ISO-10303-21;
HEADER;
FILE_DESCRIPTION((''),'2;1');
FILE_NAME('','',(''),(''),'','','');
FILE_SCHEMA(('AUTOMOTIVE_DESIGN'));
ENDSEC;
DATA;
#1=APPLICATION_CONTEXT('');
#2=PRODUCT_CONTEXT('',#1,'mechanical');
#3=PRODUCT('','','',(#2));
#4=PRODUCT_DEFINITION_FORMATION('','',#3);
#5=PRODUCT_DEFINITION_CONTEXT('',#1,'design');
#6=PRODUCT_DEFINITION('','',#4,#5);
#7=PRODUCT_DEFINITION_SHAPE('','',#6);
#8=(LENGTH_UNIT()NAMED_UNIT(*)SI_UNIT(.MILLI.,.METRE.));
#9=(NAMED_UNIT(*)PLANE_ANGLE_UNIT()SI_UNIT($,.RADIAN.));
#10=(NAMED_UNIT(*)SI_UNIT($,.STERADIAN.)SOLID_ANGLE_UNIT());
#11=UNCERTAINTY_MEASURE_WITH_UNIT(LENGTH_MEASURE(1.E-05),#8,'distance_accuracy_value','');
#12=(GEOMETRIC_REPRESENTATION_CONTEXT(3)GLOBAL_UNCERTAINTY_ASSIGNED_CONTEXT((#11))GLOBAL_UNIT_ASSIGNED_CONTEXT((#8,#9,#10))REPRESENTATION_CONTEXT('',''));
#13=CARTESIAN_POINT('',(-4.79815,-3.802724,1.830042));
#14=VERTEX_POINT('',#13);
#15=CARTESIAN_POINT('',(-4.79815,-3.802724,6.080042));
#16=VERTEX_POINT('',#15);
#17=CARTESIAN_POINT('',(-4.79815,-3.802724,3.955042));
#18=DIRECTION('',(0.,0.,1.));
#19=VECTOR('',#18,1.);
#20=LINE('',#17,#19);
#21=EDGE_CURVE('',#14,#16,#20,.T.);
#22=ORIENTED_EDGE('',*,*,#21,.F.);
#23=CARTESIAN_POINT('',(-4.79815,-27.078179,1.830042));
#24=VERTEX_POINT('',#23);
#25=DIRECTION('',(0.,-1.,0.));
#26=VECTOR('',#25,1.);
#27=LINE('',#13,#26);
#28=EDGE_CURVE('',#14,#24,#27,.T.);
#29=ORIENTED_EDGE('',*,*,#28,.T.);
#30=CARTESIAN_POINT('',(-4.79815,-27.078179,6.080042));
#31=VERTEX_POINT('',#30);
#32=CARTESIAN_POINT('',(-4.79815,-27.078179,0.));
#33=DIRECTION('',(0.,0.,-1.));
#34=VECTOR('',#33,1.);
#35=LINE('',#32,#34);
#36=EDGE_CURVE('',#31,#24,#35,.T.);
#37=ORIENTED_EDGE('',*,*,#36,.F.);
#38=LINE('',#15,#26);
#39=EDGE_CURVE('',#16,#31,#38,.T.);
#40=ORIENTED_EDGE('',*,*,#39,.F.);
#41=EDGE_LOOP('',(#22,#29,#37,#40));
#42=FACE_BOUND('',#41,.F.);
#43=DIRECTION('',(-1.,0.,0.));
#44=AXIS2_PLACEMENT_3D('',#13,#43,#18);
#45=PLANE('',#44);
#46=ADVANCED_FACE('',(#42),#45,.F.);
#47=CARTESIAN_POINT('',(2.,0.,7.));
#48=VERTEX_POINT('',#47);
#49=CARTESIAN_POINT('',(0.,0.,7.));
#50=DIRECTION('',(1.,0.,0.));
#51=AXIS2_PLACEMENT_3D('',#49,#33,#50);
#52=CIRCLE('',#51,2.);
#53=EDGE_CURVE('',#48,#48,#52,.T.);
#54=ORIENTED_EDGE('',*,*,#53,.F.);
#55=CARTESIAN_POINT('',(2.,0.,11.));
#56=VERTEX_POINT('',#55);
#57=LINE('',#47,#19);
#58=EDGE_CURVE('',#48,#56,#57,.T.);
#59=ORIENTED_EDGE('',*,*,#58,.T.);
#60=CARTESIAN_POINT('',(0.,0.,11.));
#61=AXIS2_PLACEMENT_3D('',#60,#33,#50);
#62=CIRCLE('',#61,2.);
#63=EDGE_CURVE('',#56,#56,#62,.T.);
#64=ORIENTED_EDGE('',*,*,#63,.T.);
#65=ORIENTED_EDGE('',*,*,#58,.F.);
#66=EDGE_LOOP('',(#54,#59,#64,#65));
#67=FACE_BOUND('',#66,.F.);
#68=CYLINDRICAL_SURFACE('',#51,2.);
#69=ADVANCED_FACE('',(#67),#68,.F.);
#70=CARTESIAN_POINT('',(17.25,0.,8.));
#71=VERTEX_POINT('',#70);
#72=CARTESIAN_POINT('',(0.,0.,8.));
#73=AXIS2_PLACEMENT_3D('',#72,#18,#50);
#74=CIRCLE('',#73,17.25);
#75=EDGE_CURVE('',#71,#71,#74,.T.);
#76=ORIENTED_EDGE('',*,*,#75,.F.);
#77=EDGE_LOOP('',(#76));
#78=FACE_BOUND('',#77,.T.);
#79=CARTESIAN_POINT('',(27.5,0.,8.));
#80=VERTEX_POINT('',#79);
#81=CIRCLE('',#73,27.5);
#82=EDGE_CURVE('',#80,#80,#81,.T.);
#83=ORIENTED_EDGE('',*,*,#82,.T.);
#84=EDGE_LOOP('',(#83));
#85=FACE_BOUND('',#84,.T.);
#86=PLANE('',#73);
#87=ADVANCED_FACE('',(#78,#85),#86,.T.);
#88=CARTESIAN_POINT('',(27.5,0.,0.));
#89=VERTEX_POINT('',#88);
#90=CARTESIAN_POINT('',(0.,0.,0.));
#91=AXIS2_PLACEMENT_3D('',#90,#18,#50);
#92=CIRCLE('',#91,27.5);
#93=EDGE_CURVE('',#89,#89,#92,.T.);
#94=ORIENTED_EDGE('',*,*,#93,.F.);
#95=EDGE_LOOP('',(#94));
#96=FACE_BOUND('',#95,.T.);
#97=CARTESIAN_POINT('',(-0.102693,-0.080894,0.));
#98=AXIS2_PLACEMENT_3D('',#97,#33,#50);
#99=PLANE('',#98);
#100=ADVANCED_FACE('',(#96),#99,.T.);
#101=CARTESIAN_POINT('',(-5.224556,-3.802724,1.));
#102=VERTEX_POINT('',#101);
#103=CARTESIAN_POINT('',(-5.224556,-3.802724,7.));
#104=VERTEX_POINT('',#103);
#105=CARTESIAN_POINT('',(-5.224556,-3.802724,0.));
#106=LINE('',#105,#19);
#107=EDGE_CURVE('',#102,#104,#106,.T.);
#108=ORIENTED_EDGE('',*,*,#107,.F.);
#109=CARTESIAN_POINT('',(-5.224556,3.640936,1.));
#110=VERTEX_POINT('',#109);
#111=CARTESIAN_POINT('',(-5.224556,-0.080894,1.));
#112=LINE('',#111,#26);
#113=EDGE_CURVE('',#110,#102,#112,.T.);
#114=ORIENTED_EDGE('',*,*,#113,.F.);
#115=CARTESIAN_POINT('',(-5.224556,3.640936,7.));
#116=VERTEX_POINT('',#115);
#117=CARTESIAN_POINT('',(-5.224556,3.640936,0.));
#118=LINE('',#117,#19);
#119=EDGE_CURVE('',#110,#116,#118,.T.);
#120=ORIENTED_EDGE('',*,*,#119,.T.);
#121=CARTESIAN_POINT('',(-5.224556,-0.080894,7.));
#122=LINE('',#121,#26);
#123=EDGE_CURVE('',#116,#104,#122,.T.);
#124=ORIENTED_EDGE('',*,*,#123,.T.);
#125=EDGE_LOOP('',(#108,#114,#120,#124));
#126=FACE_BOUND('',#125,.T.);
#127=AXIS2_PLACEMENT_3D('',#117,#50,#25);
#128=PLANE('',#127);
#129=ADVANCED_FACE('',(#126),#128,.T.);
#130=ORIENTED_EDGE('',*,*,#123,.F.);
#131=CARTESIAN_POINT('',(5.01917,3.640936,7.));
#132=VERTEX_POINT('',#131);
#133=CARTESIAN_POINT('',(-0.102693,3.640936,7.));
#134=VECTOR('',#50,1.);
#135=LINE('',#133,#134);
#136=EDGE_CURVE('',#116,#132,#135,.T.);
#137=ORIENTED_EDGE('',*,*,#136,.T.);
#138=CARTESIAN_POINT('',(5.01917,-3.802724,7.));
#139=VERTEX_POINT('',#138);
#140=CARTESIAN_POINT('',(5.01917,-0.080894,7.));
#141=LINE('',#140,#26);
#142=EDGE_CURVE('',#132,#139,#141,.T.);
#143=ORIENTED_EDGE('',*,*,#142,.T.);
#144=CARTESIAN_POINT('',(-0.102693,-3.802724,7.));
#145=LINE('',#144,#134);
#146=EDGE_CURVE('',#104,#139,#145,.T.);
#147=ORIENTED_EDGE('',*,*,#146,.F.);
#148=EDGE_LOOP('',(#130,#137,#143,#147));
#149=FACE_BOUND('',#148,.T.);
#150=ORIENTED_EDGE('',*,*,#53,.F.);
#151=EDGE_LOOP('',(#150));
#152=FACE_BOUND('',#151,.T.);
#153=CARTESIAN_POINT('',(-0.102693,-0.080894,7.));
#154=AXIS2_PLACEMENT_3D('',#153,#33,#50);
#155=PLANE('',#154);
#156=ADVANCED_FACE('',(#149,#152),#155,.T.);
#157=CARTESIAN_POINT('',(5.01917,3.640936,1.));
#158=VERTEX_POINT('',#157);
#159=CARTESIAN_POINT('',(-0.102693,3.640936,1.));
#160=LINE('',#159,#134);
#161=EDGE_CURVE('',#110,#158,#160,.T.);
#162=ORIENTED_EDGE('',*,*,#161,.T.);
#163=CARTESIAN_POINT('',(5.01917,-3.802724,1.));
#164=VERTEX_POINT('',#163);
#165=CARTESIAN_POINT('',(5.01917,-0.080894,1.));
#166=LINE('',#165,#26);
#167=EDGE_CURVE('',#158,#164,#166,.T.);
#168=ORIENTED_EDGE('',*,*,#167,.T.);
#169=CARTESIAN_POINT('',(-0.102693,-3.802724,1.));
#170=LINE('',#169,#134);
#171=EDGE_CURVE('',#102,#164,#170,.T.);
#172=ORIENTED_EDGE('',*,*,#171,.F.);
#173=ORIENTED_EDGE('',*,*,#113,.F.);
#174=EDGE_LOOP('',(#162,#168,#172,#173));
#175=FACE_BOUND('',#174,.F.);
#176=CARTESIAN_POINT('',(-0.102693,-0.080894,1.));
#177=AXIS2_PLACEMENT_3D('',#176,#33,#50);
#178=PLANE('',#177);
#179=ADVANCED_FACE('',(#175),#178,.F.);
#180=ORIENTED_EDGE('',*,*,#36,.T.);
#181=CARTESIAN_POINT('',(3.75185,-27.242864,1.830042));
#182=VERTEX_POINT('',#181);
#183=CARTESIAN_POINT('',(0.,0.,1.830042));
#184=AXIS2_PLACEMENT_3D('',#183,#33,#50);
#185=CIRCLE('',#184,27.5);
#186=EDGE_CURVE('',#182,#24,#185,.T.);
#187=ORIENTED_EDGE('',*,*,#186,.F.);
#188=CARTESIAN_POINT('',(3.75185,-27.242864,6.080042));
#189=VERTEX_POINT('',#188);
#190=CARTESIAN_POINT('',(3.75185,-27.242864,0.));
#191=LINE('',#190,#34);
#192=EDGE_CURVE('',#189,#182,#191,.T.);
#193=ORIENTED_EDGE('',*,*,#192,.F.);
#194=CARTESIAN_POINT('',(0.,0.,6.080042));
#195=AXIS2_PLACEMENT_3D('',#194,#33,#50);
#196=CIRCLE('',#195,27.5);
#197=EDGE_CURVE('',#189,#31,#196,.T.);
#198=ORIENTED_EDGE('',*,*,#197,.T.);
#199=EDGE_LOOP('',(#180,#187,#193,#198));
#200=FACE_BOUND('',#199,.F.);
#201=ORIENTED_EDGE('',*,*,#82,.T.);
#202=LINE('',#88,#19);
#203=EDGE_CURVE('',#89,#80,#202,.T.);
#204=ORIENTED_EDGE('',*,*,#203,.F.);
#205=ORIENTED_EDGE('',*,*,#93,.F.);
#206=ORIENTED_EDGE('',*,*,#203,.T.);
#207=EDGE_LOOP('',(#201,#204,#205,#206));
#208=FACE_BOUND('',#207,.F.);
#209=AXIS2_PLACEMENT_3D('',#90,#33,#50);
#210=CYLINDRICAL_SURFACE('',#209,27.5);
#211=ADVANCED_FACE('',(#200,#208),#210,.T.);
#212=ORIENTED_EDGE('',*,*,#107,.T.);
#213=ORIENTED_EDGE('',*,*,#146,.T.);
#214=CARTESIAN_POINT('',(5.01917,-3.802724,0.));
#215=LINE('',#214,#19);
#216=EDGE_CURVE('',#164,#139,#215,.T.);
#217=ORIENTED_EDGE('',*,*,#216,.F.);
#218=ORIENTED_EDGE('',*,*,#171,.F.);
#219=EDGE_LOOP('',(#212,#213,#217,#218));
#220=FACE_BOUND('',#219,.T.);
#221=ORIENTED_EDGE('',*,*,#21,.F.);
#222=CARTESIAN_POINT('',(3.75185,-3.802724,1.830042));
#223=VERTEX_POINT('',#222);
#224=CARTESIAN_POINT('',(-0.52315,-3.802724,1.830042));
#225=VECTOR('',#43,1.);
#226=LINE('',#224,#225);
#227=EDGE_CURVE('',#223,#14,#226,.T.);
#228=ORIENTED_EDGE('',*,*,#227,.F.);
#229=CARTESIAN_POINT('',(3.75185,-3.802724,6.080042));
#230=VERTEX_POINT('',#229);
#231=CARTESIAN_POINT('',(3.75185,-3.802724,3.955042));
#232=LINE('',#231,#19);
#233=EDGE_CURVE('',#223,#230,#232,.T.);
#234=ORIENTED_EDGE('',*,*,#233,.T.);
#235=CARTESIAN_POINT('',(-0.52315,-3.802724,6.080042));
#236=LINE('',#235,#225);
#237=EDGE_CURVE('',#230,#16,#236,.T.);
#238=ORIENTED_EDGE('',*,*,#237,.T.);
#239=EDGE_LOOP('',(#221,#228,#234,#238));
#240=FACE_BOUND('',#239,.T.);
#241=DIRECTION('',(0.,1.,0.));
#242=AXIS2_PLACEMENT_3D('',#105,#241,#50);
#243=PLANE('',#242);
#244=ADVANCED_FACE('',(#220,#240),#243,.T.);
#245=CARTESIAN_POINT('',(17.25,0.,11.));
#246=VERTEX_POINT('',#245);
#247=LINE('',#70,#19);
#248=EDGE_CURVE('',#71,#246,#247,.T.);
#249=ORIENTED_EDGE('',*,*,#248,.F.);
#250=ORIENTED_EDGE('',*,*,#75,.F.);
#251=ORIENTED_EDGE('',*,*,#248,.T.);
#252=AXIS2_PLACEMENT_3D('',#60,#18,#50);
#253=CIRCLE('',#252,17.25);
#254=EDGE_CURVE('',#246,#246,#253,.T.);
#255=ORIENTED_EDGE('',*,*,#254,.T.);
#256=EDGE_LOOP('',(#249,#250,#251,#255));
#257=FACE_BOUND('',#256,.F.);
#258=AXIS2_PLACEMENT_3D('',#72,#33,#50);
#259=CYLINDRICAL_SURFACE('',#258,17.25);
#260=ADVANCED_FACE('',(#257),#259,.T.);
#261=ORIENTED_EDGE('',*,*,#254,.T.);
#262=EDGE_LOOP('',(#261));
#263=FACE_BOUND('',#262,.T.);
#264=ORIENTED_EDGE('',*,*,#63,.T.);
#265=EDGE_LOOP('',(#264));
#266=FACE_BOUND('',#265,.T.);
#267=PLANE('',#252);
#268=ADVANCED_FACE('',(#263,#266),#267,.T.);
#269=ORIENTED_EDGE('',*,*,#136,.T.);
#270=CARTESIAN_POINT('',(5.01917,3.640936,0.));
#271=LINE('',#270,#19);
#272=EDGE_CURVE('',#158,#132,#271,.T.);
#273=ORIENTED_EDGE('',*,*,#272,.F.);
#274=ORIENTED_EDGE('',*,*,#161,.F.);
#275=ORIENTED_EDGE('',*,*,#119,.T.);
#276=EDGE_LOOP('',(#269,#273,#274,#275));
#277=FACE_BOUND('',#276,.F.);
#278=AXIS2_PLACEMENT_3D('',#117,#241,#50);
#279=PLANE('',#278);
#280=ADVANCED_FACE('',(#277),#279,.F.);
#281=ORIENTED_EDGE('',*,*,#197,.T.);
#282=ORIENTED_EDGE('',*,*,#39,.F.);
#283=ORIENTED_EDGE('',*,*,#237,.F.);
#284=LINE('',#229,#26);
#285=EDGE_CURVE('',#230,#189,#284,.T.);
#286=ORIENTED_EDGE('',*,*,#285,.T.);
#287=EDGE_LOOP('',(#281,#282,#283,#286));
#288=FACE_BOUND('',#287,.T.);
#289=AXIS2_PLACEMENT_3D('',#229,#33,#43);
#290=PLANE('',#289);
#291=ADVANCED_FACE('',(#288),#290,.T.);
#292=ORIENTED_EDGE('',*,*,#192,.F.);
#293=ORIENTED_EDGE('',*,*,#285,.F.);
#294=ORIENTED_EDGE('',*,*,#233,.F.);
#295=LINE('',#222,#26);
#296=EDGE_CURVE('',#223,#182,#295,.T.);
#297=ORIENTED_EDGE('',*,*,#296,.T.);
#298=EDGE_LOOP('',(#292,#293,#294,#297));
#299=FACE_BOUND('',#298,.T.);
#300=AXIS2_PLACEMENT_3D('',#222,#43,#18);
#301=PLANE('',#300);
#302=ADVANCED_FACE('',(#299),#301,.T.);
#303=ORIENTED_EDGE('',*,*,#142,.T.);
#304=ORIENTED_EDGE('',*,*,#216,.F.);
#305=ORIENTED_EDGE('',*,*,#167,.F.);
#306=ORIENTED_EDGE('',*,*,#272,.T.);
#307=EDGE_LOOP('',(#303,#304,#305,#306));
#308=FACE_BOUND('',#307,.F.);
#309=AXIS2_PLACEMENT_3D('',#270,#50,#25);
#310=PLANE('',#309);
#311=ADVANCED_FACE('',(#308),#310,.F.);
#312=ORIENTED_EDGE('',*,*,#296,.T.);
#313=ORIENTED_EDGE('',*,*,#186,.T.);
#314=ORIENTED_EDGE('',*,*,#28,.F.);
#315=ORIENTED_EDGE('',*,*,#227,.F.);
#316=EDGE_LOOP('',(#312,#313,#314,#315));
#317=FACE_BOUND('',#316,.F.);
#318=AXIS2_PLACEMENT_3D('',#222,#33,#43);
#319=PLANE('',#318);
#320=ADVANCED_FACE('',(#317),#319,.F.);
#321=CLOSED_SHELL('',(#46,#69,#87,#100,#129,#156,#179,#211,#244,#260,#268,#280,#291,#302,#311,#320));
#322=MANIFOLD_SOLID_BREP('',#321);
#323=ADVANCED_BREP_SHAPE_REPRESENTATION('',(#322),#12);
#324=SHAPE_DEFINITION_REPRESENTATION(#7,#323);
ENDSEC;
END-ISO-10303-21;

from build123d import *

# Parameters (mm, degrees)
F0_R      = 27.5
F1_DEPTH  = 8
F2_R      = 17.25
F3_DEPTH  = 3
F4_W      = 10.243726
F4_H      = 7.44366
F5_DEPTH  = 7
F6_W      = 8.55
F6_H      = 4.25
F7_DEPTH  = 25
F8_R      = 2
F9_DEPTH  = 25
F10_W     = 10.243726
F10_H     = 7.44366
F11_DEPTH = 1


with BuildPart() as f1:
    # F0 (on Top) → F1 (new body)
    with BuildSketch(Plane.XY):
        Circle(F0_R)
    extrude(amount=F1_DEPTH)

    # F2 (on face) → F3 (join)
    with BuildSketch(Plane.XY.offset(8)):
        Circle(F2_R)
    extrude(amount=F3_DEPTH)

    # F4 (on face) → F5 (cut)
    with BuildSketch(Plane(origin=(0, 0, 0), x_dir=(1, 0, 0), z_dir=(0, 0, -1))):
        with Locations((-0.102693, 0.080894)):
            Rectangle(F4_W, F4_H)
    extrude(amount=-F5_DEPTH, mode=Mode.SUBTRACT)

    # F6 (on face) → F7 (cut)
    with BuildSketch(Plane(origin=(0, -3.802724, 0), x_dir=(-1, 0, 0), z_dir=(0, 1, 0))):
        with Locations((0.52315, 3.955042)):
            Rectangle(F6_W, F6_H)
    extrude(amount=-F7_DEPTH, mode=Mode.SUBTRACT)

    # F8 (on face) → F9 (cut)
    with BuildSketch(Plane(origin=(0, 0, 7), x_dir=(1, 0, 0), z_dir=(0, 0, -1))):
        Circle(F8_R)
    extrude(amount=-F9_DEPTH, mode=Mode.SUBTRACT)

    # F10 (on face) → F11 (join)
    with BuildSketch(Plane(origin=(0, 0, 0), x_dir=(1, 0, 0), z_dir=(0, 0, -1))):
        with Locations((-0.102693, 0.080894)):
            Rectangle(F10_W, F10_H)
    extrude(amount=-F11_DEPTH)


solid = f1.part
